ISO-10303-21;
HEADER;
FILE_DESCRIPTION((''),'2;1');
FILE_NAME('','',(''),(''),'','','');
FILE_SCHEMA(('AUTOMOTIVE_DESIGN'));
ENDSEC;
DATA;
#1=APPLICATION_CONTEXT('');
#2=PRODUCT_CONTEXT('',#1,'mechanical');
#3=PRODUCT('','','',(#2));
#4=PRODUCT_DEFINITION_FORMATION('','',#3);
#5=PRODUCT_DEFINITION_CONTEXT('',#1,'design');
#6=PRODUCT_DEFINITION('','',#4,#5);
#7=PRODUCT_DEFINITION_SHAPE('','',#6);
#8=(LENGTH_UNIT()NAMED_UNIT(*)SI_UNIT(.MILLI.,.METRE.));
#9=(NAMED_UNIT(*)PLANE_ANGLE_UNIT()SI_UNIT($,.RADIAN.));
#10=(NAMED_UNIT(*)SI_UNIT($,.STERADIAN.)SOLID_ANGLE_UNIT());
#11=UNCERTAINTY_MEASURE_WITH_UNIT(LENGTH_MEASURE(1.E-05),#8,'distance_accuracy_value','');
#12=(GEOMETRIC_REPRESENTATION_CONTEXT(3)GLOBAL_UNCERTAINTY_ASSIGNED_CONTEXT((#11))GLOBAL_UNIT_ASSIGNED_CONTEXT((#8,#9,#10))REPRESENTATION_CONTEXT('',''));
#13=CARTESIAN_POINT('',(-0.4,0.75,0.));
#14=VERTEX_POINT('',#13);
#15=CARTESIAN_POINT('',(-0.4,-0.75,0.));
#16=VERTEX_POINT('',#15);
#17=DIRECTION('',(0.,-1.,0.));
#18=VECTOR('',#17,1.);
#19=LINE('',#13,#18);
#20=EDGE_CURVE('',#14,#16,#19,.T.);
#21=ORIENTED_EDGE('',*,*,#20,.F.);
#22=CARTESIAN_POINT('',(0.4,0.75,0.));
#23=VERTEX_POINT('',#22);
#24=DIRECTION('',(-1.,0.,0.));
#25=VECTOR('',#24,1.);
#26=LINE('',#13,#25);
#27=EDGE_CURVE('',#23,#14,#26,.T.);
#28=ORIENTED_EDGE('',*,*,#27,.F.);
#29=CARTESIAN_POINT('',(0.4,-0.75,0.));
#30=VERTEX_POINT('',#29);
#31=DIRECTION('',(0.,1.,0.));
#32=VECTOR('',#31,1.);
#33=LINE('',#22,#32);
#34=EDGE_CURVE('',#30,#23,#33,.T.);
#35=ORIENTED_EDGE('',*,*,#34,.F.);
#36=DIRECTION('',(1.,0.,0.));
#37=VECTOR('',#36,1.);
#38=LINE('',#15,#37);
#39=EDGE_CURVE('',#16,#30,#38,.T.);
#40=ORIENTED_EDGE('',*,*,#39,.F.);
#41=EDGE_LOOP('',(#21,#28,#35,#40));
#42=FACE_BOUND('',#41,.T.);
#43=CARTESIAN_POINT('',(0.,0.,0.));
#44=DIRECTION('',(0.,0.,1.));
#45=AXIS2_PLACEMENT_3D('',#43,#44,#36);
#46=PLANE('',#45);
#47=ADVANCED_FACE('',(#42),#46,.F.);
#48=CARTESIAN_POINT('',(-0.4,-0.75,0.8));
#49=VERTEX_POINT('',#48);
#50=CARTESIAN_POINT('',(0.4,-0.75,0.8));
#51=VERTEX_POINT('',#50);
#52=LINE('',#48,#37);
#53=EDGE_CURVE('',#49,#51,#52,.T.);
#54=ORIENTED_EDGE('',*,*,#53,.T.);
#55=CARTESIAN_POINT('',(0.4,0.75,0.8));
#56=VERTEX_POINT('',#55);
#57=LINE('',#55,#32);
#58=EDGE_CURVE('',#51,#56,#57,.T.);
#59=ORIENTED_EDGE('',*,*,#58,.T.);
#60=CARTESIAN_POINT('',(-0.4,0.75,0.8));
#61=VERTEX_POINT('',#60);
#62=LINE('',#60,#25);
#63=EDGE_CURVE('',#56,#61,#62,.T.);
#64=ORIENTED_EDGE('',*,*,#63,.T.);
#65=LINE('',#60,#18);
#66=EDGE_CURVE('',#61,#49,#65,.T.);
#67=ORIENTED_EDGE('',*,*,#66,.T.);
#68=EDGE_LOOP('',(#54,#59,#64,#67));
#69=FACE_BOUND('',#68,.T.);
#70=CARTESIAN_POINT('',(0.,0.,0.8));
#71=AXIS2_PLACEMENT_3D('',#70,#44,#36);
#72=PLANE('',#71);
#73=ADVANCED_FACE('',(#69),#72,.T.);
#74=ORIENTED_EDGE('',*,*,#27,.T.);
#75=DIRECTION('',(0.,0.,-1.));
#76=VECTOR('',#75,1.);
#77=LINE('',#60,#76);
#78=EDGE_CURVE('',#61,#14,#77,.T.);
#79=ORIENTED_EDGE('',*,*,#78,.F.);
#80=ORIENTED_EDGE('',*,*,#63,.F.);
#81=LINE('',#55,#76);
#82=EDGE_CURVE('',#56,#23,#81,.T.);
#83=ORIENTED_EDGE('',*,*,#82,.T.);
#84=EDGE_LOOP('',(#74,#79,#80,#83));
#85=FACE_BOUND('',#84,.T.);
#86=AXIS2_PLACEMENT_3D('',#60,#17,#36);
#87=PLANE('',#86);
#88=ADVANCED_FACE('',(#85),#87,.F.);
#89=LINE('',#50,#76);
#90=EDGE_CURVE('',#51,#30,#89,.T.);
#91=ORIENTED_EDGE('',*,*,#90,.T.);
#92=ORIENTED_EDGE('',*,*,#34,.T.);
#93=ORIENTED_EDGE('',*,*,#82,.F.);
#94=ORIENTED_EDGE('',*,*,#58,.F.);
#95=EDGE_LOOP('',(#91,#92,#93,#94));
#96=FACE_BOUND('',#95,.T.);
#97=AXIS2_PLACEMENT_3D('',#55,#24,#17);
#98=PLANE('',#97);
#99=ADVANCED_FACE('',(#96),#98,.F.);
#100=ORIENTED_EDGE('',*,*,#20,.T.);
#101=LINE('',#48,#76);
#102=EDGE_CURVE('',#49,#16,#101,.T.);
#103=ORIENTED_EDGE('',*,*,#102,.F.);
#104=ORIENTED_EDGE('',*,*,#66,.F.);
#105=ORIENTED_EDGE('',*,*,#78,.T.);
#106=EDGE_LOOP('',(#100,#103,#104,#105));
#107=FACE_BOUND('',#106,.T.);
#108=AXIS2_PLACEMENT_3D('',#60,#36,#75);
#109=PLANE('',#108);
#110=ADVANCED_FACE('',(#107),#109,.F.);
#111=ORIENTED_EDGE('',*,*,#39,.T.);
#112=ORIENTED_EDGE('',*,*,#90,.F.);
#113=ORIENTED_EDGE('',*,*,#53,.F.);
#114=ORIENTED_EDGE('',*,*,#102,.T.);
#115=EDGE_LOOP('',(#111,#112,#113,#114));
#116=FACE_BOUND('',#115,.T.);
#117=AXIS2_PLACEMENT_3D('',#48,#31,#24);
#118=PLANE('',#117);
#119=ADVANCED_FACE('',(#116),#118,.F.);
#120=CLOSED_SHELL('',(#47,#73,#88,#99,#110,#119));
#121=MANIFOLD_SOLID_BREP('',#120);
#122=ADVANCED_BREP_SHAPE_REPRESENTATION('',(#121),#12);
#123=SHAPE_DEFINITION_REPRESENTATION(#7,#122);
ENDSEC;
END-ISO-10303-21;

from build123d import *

# Parameters (mm, degrees)
ESQUISSE1_W        = 0.8
ESQUISSE1_H        = 1.5
BOSS_EXTRU_1_DEPTH = 0.8


with BuildPart() as part:
    # Esquisse1 → Boss.-Extru.1 (new body)
    with BuildSketch(Plane.XY):
        Rectangle(ESQUISSE1_W, ESQUISSE1_H)
    extrude(amount=BOSS_EXTRU_1_DEPTH)


solid = part.part
